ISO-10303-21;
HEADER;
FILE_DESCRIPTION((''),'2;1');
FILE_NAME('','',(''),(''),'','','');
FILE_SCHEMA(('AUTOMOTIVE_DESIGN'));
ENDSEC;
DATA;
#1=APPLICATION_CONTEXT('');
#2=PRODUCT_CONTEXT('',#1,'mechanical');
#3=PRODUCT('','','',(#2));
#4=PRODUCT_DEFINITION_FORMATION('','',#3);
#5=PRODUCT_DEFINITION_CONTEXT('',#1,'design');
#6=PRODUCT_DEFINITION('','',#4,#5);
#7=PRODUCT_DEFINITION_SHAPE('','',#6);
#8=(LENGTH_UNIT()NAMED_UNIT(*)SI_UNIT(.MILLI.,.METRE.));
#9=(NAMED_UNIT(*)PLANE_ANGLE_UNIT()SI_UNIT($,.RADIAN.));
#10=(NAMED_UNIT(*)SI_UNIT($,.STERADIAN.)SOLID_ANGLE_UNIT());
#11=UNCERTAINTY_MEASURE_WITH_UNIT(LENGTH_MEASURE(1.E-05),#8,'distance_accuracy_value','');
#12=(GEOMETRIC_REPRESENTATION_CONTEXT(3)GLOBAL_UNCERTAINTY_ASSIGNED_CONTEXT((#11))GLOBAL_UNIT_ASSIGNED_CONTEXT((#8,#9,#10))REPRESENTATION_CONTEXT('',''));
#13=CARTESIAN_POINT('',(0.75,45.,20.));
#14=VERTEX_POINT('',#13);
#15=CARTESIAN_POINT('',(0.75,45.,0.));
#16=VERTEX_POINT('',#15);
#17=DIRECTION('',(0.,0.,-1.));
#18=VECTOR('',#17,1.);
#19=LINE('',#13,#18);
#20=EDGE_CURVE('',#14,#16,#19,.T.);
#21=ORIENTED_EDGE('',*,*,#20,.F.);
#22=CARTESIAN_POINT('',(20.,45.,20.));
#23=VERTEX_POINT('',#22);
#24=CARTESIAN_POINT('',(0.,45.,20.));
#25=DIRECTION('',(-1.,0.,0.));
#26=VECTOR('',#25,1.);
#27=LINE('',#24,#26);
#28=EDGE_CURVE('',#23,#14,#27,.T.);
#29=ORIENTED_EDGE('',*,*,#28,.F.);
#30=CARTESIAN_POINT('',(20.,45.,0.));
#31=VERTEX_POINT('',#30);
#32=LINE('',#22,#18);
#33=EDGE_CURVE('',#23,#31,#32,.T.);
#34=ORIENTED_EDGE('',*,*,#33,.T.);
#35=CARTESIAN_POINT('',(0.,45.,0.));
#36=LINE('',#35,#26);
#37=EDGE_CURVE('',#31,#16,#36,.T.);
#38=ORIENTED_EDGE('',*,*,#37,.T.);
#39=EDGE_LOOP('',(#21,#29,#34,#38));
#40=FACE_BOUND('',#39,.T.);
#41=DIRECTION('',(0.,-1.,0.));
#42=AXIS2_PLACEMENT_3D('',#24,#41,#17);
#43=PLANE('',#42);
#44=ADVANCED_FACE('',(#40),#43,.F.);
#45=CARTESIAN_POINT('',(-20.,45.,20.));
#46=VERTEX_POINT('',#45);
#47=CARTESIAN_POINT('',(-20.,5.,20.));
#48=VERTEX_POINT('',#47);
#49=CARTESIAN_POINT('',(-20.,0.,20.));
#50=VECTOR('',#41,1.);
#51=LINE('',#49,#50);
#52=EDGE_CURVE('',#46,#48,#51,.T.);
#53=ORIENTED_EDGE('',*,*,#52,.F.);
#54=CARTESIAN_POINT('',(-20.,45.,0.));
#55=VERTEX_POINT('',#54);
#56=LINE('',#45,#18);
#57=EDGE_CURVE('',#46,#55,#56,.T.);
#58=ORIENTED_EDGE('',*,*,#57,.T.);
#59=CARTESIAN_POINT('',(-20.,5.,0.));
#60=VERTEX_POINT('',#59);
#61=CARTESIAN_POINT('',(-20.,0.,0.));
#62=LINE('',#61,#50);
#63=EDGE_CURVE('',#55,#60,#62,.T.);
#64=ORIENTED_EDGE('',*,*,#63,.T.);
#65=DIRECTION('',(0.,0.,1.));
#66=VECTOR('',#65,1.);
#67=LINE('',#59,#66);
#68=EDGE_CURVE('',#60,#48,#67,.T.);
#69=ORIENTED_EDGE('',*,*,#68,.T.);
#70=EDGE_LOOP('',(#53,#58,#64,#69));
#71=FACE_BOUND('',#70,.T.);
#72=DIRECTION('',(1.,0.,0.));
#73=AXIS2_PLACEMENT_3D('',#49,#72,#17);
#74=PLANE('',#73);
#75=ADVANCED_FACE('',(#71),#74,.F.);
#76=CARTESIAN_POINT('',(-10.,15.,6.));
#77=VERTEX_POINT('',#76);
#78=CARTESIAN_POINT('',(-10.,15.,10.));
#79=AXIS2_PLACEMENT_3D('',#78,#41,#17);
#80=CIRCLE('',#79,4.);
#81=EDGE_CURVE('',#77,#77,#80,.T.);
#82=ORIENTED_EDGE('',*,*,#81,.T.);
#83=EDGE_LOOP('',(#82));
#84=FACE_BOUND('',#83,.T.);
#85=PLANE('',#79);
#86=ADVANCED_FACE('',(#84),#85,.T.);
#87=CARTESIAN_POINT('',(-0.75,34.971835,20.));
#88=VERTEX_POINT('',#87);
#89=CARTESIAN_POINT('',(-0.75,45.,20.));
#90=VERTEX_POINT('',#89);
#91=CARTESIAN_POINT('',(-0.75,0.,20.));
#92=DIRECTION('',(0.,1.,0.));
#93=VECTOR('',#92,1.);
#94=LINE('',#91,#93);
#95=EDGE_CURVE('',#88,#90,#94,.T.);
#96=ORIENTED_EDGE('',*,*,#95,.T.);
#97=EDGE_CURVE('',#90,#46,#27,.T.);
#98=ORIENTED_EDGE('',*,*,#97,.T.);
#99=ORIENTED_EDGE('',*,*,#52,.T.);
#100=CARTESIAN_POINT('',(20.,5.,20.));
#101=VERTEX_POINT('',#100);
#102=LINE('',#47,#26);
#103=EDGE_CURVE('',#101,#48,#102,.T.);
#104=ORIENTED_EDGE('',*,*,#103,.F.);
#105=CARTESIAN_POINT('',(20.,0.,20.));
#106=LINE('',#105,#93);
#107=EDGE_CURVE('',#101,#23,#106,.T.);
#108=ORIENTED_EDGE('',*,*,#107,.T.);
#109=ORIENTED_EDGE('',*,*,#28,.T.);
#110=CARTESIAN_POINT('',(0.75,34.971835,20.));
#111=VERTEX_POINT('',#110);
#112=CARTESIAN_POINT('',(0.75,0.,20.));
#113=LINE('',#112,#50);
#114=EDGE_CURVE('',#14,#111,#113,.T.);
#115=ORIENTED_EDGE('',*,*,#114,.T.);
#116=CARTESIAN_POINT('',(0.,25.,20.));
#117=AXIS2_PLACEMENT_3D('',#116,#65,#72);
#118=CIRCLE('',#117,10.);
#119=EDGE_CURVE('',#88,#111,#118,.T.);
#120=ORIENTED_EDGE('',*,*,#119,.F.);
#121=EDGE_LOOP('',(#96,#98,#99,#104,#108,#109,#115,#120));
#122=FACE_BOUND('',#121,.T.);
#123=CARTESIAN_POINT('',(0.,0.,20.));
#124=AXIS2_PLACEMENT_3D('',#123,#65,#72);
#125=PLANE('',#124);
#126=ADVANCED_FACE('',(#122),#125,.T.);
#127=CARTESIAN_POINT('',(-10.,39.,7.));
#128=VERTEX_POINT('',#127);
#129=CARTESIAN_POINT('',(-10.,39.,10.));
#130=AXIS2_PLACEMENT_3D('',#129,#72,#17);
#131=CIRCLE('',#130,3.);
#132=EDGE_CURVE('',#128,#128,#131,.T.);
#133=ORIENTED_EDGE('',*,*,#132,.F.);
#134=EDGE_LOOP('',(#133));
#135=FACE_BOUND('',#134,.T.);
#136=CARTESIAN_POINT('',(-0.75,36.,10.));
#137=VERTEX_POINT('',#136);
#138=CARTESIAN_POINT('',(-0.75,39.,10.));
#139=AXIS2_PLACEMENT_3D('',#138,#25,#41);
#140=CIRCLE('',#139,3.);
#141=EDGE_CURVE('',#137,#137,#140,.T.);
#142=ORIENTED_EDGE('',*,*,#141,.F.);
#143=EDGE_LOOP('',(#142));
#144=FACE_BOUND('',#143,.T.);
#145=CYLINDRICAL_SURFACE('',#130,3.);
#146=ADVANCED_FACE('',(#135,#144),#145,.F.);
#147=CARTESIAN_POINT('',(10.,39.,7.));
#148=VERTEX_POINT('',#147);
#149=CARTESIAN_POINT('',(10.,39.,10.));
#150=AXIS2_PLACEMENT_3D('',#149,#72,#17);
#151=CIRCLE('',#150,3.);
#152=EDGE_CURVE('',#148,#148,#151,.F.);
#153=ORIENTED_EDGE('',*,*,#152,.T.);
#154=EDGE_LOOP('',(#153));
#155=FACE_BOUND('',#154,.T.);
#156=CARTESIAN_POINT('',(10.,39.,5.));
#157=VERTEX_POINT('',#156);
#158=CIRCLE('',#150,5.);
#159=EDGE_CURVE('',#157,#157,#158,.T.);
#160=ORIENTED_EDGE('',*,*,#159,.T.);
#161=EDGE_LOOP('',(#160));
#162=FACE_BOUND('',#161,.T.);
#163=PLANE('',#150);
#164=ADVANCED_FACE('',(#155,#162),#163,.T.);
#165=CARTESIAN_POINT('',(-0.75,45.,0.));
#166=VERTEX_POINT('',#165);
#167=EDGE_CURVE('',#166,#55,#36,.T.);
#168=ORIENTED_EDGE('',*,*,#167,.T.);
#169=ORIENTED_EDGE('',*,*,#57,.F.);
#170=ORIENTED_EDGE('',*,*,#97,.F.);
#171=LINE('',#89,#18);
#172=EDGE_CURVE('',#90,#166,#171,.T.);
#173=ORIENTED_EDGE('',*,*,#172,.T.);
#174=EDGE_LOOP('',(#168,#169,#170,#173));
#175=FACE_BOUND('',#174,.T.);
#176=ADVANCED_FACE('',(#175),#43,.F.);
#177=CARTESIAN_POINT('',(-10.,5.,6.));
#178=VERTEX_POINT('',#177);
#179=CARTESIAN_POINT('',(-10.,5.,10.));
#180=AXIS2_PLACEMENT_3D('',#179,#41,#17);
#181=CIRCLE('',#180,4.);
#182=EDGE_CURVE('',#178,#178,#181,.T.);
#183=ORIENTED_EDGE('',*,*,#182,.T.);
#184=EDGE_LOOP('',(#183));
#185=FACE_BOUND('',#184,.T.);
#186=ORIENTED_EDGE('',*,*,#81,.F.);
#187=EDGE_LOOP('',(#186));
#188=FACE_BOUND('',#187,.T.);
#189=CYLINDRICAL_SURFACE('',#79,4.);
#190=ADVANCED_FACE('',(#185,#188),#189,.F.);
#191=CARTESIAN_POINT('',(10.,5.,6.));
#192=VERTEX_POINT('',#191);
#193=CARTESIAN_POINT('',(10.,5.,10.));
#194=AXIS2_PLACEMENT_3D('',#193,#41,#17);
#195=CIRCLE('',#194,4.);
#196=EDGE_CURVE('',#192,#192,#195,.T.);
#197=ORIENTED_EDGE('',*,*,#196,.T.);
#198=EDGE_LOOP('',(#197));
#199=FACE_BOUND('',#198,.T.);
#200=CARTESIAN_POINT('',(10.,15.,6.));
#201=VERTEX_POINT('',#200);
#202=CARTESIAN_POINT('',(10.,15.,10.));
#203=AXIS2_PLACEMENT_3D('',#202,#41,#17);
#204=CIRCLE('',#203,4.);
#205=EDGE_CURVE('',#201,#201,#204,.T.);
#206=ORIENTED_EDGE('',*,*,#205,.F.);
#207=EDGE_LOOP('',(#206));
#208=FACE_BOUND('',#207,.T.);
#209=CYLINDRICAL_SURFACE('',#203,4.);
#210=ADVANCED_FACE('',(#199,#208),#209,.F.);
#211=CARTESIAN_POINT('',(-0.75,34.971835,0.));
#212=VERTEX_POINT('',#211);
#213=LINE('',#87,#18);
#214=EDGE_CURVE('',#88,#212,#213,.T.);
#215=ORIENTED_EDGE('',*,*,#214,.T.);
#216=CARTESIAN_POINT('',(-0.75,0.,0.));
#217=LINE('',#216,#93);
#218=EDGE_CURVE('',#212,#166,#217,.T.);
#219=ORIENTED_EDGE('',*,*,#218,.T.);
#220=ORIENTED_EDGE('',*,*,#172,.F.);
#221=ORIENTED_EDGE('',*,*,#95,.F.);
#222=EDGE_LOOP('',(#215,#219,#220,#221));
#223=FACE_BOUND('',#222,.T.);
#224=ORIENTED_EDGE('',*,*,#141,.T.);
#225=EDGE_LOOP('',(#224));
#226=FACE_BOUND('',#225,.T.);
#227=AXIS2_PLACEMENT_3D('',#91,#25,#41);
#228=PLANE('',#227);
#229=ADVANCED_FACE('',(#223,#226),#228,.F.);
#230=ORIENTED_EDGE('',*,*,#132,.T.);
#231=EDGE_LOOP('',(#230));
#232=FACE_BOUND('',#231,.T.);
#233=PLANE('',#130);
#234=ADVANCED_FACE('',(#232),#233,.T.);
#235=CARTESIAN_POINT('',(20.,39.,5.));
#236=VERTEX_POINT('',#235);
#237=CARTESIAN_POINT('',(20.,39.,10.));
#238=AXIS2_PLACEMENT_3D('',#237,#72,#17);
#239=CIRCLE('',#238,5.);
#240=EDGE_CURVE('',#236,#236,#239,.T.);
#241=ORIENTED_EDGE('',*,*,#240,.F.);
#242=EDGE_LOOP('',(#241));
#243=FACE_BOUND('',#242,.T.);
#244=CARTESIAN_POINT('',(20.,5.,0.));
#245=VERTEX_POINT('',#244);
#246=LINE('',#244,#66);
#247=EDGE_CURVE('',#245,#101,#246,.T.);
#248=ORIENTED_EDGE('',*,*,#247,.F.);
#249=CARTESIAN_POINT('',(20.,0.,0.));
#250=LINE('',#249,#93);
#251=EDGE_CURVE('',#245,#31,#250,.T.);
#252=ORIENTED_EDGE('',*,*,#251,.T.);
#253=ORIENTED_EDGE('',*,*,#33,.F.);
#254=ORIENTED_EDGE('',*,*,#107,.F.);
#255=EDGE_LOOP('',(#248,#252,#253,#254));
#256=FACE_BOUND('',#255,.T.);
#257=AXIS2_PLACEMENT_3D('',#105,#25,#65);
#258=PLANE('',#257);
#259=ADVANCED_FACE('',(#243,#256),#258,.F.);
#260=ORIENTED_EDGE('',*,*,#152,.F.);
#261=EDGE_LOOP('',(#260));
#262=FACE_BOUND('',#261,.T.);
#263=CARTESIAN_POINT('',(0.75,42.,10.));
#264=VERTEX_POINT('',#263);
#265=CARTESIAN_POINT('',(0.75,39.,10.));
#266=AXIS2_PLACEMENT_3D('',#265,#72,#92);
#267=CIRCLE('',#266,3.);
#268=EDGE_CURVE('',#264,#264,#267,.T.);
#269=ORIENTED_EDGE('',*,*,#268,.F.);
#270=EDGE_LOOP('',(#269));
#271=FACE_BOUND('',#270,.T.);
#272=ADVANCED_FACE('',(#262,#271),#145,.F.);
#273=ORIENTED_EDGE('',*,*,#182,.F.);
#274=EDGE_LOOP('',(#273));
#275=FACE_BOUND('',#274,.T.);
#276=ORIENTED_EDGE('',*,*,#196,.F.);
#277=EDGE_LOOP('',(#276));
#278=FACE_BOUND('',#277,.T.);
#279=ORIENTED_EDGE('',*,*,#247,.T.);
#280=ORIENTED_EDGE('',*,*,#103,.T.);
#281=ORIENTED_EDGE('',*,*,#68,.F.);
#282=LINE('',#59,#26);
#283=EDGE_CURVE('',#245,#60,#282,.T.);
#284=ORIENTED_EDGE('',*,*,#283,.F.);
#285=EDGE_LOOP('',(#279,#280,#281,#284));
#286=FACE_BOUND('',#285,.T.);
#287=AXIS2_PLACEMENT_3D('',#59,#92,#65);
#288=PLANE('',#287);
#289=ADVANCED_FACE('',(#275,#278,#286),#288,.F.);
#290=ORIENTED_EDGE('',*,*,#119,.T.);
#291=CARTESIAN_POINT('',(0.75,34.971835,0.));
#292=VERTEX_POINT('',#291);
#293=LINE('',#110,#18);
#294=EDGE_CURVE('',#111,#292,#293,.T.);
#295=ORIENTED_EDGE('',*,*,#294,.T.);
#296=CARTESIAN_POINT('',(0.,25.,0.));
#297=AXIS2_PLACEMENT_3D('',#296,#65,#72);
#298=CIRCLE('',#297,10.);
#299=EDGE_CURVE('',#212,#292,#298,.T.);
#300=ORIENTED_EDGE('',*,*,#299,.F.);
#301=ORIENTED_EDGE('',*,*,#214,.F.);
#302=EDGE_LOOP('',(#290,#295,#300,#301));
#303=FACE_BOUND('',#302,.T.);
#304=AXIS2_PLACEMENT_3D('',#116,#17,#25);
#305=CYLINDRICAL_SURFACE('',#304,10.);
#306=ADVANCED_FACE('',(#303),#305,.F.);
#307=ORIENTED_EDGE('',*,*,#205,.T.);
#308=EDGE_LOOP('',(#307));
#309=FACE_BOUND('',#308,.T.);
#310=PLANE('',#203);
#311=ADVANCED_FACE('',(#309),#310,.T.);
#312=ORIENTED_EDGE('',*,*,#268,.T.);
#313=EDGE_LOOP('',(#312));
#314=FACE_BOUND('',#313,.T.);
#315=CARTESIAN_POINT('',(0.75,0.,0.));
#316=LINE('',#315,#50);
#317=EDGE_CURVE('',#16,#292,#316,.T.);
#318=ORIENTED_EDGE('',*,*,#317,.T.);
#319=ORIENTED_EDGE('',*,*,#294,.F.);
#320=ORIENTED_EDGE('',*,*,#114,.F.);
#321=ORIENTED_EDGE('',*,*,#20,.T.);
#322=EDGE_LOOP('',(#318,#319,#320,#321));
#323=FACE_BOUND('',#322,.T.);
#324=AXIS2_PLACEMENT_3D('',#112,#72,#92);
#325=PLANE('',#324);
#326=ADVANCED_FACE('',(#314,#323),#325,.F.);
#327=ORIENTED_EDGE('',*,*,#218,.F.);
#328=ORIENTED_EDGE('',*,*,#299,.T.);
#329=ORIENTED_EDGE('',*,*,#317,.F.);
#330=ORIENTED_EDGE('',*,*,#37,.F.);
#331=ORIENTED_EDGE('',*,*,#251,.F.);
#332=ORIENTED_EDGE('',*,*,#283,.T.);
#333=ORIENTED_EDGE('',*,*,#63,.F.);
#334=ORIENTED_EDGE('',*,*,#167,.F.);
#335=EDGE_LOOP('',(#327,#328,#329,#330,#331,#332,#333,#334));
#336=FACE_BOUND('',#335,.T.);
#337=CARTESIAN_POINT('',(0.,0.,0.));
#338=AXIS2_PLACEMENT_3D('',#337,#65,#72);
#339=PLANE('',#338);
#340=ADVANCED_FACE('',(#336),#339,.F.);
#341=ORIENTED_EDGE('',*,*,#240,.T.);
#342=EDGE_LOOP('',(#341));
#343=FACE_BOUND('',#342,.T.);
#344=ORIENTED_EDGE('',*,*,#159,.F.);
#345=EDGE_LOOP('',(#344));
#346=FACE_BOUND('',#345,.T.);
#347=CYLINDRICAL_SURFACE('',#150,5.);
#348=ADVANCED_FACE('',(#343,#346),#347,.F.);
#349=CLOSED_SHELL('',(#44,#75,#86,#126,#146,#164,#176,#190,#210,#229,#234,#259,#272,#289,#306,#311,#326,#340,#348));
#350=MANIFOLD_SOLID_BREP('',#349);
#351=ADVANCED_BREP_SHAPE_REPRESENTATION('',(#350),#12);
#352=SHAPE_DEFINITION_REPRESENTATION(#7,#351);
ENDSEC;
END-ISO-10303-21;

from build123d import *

# Parameters (mm, degrees)
CROQUIS1_R              = 3
SALIENTE_EXTRUIR1_DEPTH = 20
CROQUIS2_R              = 3
CORTAR_EXTRUIR1_DEPTH   = 30
CROQUIS3_R              = 5
CORTAR_EXTRUIR2_DEPTH   = 10
CROQUIS4_W              = 40
CROQUIS4_H              = 50
CORTAR_EXTRUIR3_DEPTH   = 54.150729064
CROQUIS5_R              = 4
CORTAR_EXTRUIR4_DEPTH   = 10


with BuildPart() as part:
    # Croquis1 → Saliente-Extruir1 (new body)
    with BuildSketch(Plane.XY):
        with BuildLine():
            Line((-0.75, 34.971835338), (-0.75, 45))
            Line((-0.75, 45), (-20, 45))
            Line((-20, 45), (-20, -45))
            Line((-20, -45), (20, -45))
            Line((20, -45), (20, 45))
            Line((20, 45), (0.75, 45))
            Line((0.75, 45), (0.75, 34.971835338))
            ThreePointArc((0.75, 34.971835338), (0, 15), (-0.75, 34.971835338))
        make_face()
        with Locations((-10, -35)):
            Circle(CROQUIS1_R, mode=Mode.SUBTRACT)
        with Locations((10, -35)):
            Circle(CROQUIS1_R, mode=Mode.SUBTRACT)
    extrude(amount=SALIENTE_EXTRUIR1_DEPTH)

    # Croquis2 → Cortar-Extruir1 (cut)
    with BuildSketch(Plane(origin=(20, 0, 0), x_dir=(0, 0, -1), z_dir=(1, 0, 0))):
        with Locations((-10, 39)):
            Circle(CROQUIS2_R)
    extrude(amount=-CORTAR_EXTRUIR1_DEPTH, mode=Mode.SUBTRACT)

    # Croquis3 → Cortar-Extruir2 (cut)
    with BuildSketch(Plane(origin=(20, 0, 0), x_dir=(0, 0, -1), z_dir=(1, 0, 0))):
        with Locations((-10, 39)):
            Circle(CROQUIS3_R)
    extrude(amount=-CORTAR_EXTRUIR2_DEPTH, mode=Mode.SUBTRACT)

    # Croquis4 → Cortar-Extruir3 (cut, through all)
    with BuildSketch(Plane.XY.offset(20)):
        with Locations((0, -20)):
            Rectangle(CROQUIS4_W, CROQUIS4_H)
    extrude(amount=-CORTAR_EXTRUIR3_DEPTH, mode=Mode.SUBTRACT)

    # Croquis5 → Cortar-Extruir4 (cut)
    with BuildSketch(Plane.XZ.offset(-5)):
        with Locations(Location((-10, 10, 0), (0, 0, 270))):
            Circle(CROQUIS5_R)
        with Locations(Location((10, 10, 0), (0, 0, 270))):
            Circle(CROQUIS5_R)
    extrude(amount=-CORTAR_EXTRUIR4_DEPTH, mode=Mode.SUBTRACT)


solid = part.part
